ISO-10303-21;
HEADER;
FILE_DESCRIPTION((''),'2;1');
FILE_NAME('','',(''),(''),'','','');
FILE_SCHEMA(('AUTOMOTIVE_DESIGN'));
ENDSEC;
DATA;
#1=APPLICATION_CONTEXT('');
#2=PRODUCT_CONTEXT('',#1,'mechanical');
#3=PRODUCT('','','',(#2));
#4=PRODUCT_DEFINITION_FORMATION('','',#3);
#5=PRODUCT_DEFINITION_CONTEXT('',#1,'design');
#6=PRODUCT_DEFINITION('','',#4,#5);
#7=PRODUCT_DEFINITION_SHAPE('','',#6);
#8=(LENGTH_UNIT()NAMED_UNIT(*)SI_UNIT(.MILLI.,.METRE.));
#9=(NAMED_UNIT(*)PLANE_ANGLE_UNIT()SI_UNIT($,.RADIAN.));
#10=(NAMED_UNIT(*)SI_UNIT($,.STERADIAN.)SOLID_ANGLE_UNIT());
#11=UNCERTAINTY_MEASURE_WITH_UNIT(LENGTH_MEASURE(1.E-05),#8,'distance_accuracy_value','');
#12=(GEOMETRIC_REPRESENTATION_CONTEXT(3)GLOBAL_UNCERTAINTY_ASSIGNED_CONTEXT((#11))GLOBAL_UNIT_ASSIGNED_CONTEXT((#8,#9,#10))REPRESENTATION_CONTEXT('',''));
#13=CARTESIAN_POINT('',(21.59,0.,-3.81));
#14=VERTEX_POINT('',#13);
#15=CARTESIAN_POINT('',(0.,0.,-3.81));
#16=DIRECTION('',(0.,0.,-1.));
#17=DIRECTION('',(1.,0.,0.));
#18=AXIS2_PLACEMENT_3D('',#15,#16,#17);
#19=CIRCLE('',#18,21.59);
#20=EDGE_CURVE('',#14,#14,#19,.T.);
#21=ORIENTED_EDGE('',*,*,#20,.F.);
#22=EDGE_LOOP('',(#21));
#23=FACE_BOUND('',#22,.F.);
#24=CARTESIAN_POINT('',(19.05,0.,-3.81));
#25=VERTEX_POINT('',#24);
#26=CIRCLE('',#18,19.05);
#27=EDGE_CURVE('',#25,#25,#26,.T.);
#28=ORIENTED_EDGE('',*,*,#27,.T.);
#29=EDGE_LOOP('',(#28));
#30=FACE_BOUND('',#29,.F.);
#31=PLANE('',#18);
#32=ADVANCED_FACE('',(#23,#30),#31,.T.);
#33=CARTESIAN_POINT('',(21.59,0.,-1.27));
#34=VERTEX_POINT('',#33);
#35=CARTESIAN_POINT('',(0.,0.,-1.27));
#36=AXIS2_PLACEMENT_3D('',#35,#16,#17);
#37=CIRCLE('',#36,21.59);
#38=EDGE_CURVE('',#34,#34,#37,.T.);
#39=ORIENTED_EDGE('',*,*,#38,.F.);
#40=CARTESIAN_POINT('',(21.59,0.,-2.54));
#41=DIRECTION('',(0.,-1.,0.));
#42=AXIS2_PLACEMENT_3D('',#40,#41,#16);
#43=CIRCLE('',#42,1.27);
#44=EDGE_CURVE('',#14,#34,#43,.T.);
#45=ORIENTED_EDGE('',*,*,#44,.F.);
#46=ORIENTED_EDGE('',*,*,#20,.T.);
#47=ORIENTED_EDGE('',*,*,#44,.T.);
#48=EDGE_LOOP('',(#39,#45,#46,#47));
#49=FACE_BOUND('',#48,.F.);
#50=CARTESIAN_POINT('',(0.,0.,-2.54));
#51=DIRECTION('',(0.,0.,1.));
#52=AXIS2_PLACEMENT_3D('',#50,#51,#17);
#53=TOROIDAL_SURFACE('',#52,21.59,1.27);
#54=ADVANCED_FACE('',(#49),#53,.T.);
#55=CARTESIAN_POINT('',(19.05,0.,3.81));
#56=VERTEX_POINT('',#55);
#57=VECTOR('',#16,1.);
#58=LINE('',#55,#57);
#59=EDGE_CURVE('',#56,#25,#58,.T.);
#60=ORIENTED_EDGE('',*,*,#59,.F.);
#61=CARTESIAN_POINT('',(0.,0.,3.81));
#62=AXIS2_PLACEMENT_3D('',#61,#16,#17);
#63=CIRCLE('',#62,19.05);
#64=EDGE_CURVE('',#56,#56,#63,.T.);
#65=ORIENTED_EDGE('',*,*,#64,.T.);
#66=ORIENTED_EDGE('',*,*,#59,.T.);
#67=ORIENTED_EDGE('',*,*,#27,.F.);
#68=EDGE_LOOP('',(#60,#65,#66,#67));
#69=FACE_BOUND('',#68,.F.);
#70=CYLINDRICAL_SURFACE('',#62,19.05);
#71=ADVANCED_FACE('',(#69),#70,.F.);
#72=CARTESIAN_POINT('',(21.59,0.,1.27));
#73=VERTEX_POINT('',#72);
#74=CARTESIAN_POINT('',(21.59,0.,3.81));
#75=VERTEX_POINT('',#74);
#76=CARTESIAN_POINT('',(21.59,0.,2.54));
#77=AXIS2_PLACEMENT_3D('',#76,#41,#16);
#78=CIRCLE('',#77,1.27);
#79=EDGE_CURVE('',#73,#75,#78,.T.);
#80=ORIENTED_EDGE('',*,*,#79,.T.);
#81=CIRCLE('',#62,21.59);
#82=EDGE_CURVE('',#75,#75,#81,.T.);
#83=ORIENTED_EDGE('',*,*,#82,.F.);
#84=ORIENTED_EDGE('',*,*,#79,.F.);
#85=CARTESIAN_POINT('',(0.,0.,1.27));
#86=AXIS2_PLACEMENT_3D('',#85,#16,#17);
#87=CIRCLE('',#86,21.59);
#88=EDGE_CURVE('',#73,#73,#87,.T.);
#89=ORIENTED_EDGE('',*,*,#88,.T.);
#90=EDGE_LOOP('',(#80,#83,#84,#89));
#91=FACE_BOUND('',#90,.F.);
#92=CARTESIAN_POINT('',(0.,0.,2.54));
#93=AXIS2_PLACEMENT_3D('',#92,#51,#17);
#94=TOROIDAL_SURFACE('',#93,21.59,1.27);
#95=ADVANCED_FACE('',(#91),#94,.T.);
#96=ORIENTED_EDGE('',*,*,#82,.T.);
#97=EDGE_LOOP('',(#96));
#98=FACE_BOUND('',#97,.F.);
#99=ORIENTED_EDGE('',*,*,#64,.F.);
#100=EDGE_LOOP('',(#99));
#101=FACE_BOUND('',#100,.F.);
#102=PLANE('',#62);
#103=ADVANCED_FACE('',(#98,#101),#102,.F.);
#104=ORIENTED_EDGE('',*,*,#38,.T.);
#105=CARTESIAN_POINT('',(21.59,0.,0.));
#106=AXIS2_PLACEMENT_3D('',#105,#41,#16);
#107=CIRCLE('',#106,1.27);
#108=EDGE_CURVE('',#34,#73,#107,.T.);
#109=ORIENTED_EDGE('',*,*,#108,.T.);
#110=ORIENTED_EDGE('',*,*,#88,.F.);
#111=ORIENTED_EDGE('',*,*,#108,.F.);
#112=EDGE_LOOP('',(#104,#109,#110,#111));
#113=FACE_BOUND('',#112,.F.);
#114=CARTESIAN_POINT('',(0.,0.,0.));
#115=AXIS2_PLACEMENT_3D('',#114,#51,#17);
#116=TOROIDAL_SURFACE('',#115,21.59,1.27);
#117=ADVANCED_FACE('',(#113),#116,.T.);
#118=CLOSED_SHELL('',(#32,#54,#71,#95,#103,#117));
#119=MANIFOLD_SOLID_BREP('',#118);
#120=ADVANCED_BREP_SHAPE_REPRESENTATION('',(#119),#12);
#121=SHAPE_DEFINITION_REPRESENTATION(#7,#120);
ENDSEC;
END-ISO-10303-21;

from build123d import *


with BuildPart() as f1:
    # F0 (on Front) → F1 (revolve)
    with BuildSketch(Plane.XZ):
        with BuildLine():
            Line((21.59, 3.81), (19.05, 3.81))
            Line((19.05, 3.81), (19.05, -3.81))
            Line((19.05, -3.81), (21.59, -3.81))
            ThreePointArc((21.59, -3.81), (22.86, -2.54), (21.59, -1.27))
            ThreePointArc((21.59, -1.27), (22.86, 0), (21.59, 1.27))
            ThreePointArc((21.59, 1.27), (22.86, 2.54), (21.59, 3.81))
        make_face()
    revolve(axis=Axis((0, 0, 3.287177), (0, 0, -1)))


solid = f1.part
